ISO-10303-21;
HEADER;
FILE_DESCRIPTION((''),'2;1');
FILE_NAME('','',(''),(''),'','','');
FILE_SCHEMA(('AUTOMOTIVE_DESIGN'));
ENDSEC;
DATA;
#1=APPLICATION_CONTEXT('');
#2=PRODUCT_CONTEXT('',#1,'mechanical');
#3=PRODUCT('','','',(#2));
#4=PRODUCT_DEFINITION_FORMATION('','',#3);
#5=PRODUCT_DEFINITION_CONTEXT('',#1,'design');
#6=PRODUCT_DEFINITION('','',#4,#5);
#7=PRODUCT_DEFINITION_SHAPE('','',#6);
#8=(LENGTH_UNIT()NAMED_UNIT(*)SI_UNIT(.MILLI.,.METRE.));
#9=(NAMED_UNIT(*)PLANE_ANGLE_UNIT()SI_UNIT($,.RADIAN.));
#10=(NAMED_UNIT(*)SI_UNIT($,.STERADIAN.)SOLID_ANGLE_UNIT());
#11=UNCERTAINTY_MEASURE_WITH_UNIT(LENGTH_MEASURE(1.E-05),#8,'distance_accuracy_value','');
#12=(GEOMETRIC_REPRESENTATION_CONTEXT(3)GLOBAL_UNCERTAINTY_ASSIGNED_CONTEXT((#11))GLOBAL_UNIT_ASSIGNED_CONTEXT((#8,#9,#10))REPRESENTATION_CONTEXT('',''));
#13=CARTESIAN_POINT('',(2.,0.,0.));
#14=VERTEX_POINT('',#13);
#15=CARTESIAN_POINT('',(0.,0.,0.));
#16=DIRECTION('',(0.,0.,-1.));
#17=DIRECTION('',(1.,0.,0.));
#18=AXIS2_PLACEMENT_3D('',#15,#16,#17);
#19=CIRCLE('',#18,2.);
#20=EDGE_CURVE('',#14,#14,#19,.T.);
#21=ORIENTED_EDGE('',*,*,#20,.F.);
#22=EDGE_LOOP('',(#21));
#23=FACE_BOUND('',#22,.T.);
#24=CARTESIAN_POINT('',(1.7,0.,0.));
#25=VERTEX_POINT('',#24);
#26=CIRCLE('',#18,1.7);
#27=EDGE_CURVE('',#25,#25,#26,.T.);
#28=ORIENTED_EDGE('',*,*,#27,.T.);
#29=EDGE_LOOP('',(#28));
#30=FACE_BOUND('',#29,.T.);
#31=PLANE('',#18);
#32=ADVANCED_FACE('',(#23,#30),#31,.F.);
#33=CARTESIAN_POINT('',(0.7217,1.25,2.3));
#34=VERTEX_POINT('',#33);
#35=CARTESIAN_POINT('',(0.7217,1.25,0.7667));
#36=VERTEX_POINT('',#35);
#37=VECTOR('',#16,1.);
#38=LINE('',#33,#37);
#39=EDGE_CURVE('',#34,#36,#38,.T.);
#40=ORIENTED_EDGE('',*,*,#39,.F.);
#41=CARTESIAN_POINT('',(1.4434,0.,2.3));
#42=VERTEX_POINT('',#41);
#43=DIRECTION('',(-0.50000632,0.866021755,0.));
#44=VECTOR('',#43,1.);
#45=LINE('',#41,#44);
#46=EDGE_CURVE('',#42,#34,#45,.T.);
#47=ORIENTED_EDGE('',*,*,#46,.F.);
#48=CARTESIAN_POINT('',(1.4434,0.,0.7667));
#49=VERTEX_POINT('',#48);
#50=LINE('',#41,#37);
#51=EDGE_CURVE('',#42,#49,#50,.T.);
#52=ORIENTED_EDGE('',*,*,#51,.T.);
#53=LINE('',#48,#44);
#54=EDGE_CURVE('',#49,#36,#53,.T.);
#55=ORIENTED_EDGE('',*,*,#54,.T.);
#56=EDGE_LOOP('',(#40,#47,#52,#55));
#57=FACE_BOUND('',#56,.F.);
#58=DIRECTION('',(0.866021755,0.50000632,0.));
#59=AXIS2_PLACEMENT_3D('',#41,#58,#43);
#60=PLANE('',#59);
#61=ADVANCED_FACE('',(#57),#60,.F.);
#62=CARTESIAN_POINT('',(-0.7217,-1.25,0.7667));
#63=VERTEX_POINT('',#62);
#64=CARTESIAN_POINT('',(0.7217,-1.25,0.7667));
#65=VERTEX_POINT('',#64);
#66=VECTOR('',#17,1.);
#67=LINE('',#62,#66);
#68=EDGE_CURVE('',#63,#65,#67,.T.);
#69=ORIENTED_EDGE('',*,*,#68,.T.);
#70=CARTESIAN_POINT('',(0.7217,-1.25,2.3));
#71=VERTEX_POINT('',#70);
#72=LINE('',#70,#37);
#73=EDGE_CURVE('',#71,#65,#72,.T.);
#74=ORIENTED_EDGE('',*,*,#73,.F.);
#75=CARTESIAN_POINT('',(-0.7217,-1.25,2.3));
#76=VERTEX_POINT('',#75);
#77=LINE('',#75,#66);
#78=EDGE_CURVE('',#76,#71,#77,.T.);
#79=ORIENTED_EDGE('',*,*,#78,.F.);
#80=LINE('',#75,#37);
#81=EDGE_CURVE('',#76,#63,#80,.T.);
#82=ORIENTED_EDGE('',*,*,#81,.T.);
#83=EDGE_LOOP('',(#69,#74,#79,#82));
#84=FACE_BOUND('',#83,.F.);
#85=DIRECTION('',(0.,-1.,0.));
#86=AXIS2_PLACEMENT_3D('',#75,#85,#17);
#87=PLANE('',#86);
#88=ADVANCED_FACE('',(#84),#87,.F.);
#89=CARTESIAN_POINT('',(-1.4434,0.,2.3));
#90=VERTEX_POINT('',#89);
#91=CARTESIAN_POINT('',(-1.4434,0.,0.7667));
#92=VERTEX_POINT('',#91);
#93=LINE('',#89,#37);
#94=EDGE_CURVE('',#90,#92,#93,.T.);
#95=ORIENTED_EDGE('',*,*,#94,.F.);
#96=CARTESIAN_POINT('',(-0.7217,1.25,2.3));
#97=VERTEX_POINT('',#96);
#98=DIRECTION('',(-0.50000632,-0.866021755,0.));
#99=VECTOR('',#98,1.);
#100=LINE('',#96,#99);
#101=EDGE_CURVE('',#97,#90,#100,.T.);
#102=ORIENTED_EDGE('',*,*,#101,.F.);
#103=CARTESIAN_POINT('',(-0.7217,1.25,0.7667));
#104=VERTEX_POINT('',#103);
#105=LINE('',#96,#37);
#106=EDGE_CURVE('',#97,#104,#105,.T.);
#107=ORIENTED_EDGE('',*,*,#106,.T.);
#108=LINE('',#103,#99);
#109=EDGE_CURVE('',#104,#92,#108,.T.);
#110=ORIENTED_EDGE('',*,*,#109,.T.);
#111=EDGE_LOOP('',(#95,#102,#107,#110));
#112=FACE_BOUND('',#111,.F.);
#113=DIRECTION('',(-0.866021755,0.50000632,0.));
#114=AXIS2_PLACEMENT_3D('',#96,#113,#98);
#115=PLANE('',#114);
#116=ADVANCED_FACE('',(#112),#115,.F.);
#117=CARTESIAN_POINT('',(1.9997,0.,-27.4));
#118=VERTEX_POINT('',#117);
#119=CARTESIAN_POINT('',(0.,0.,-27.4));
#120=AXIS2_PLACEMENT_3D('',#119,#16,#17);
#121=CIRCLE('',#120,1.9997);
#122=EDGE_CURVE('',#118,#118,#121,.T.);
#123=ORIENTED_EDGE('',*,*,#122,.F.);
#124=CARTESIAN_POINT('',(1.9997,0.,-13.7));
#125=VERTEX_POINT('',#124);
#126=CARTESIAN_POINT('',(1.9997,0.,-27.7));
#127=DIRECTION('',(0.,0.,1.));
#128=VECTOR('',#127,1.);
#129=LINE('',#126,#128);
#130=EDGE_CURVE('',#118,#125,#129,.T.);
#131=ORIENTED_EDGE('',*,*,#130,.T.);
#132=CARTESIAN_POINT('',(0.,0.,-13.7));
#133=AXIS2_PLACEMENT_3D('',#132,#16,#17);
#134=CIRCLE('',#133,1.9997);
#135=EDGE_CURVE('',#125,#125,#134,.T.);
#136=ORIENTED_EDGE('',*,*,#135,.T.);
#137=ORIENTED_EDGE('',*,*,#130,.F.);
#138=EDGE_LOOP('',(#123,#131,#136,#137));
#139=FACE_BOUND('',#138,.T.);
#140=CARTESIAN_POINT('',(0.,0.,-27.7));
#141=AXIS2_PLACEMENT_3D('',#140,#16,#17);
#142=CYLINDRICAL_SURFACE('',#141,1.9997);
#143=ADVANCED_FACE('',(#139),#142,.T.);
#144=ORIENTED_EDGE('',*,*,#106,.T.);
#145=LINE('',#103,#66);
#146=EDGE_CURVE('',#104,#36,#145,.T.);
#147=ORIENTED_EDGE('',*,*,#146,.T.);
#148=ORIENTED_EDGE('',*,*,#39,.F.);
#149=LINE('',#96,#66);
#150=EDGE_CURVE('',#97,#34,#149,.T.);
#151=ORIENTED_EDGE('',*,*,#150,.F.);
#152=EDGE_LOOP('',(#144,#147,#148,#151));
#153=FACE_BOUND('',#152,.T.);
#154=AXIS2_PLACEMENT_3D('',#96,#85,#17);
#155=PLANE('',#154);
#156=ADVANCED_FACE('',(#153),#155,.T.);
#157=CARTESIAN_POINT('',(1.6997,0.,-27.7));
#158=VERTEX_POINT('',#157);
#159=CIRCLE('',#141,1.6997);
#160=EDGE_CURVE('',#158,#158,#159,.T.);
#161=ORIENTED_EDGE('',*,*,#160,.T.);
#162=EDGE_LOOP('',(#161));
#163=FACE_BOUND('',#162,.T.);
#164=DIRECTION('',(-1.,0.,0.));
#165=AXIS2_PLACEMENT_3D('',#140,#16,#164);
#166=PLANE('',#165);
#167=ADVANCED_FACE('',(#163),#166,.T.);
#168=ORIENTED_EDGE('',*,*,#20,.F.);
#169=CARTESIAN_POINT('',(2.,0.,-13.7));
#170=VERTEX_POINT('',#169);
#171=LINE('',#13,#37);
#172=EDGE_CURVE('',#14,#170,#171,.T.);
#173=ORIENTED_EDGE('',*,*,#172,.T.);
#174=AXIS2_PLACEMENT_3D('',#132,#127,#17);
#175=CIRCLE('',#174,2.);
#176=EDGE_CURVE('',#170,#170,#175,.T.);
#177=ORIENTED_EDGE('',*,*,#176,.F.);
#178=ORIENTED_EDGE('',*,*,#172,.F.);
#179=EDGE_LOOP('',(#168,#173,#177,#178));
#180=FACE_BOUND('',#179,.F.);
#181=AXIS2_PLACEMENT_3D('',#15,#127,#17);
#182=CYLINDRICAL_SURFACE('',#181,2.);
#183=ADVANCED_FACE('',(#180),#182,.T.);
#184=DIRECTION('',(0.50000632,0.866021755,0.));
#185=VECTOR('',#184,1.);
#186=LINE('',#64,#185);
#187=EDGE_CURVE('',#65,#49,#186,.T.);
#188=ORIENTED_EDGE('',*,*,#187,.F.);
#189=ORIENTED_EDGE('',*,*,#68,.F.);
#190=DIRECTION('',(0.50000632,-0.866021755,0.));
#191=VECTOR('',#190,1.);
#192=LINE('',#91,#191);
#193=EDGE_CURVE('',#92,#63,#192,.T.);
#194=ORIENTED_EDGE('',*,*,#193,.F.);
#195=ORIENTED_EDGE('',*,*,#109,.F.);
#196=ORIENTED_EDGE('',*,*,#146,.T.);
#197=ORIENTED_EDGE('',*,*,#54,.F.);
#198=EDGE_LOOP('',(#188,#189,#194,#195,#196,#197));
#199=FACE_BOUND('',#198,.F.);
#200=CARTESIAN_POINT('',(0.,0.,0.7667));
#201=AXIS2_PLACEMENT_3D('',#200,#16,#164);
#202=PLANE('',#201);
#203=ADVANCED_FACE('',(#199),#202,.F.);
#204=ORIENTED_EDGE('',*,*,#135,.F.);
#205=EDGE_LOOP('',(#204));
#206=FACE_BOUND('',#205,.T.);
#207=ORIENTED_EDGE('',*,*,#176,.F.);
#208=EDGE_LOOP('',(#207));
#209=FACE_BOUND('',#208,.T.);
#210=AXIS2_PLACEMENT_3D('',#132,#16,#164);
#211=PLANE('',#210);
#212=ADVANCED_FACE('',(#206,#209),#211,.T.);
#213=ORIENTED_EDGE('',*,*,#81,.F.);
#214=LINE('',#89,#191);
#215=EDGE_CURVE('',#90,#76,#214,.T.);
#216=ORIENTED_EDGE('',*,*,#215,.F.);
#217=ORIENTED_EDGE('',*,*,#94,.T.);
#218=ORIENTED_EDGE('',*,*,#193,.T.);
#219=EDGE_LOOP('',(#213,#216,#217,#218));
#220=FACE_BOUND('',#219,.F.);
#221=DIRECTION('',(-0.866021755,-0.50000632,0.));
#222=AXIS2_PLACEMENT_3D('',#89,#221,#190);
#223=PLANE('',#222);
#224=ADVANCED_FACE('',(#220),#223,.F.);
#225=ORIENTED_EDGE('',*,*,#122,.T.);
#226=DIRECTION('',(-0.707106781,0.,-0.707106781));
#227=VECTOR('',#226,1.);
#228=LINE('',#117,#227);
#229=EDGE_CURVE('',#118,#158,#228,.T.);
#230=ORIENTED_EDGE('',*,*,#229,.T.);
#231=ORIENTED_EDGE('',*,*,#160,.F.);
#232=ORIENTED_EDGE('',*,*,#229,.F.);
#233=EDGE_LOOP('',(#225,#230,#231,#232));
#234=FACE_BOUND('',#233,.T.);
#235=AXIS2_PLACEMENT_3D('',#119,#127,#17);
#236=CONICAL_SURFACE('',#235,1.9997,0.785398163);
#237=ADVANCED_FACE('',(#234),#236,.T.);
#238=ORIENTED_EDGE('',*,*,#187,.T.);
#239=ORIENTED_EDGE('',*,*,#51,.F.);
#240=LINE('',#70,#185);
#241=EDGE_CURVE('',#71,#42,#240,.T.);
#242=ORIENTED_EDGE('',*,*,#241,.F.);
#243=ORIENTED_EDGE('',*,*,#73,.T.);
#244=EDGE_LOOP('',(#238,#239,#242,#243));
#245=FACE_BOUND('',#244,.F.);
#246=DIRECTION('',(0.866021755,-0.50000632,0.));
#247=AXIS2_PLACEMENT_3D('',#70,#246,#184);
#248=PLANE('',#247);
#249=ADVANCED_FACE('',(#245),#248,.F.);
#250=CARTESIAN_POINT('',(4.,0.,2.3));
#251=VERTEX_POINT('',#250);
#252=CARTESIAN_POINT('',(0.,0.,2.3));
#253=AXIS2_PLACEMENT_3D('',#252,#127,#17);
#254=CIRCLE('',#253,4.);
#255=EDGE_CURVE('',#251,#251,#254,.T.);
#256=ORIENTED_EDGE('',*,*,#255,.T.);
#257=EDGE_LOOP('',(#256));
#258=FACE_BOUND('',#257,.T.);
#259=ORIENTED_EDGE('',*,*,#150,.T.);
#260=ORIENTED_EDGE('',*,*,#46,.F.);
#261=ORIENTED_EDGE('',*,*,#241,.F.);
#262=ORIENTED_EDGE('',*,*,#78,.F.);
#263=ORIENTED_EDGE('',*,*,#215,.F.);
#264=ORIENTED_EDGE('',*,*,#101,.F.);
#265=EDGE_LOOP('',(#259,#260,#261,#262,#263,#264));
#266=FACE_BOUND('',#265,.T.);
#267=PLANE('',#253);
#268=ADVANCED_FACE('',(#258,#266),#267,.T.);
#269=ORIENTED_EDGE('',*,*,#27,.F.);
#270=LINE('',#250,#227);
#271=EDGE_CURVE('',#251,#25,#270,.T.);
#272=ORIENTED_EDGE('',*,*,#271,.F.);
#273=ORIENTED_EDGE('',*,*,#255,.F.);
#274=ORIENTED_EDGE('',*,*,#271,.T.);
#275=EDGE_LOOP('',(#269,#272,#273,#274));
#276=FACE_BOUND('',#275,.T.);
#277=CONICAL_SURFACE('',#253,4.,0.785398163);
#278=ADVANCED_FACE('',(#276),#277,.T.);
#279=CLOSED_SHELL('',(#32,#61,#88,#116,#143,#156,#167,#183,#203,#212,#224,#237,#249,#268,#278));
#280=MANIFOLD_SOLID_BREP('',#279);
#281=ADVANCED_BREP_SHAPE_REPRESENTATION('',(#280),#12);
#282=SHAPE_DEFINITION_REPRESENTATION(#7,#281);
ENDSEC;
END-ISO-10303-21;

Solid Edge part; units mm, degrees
sketch "Sketch1" plane through (0, 0, 0) normal (0, 0, 1) x (1, 0, 0)
  circle A0 centre (0, 0) radius 4
  dimension "D1" = 8
extrude "Protrusion1" add sketch "Sketch1" along normal blind 2.3
sketch "Sketch2" plane through (0, 0, 0) normal (0, 0, -1) x (1, 0, 0)
  circle A0 centre (0, 0) radius 2
extrude "Protrusion2" add sketch "Sketch2" along normal blind 27.7
sketch "Sketch3" plane through (0, 0, -27.7) normal (0, 0, -1) x (1, 0, 0)
  circle A0 centre (0, 0) radius 1.9997
extrude "Cutout1" cut sketch "Sketch3" against normal blind 14 flip side to cut
chamfer "Chamfer_1" distance 0.3 angle 45 1 edges at (-1.9997, 0, -27.7)
sketch "Sketch4" plane through (0, 0, 2.3) normal (0, 0, 1) x (1, 0, 0)
  line L0 (-0.7217, 1.25) -> (0.7217, 1.25)
  line L1 (1.4434, 0) -> (0.7217, 1.25)
  line L2 (0.7217, -1.25) -> (1.4434, 0)
  line L3 (-0.7217, -1.25) -> (0.7217, -1.25)
  line L4 (-1.4434, 0) -> (-0.7217, -1.25)
  line L5 (-0.7217, 1.25) -> (-1.4434, 0)
  dimension "D1" = 2.5
extrude "Cutout2" cut sketch "Sketch4" against normal blind 1.5333
sketch "Sketch5" plane through (0, 0, 0) normal (0, -1, 0) x (1, 0, 0)
  line L0 (4, 2.3) -> (1.7, 0)
  line L1 (1.7, 0) -> (4, 0)
  line L2 (4, 0) -> (4, 2.3)
revolve "RevolvedCutout1" cut sketch "Sketch5" angle 360 about axis through (0, 0, 14.0017) along (0, 0, -1)
properties part number "24101471"
